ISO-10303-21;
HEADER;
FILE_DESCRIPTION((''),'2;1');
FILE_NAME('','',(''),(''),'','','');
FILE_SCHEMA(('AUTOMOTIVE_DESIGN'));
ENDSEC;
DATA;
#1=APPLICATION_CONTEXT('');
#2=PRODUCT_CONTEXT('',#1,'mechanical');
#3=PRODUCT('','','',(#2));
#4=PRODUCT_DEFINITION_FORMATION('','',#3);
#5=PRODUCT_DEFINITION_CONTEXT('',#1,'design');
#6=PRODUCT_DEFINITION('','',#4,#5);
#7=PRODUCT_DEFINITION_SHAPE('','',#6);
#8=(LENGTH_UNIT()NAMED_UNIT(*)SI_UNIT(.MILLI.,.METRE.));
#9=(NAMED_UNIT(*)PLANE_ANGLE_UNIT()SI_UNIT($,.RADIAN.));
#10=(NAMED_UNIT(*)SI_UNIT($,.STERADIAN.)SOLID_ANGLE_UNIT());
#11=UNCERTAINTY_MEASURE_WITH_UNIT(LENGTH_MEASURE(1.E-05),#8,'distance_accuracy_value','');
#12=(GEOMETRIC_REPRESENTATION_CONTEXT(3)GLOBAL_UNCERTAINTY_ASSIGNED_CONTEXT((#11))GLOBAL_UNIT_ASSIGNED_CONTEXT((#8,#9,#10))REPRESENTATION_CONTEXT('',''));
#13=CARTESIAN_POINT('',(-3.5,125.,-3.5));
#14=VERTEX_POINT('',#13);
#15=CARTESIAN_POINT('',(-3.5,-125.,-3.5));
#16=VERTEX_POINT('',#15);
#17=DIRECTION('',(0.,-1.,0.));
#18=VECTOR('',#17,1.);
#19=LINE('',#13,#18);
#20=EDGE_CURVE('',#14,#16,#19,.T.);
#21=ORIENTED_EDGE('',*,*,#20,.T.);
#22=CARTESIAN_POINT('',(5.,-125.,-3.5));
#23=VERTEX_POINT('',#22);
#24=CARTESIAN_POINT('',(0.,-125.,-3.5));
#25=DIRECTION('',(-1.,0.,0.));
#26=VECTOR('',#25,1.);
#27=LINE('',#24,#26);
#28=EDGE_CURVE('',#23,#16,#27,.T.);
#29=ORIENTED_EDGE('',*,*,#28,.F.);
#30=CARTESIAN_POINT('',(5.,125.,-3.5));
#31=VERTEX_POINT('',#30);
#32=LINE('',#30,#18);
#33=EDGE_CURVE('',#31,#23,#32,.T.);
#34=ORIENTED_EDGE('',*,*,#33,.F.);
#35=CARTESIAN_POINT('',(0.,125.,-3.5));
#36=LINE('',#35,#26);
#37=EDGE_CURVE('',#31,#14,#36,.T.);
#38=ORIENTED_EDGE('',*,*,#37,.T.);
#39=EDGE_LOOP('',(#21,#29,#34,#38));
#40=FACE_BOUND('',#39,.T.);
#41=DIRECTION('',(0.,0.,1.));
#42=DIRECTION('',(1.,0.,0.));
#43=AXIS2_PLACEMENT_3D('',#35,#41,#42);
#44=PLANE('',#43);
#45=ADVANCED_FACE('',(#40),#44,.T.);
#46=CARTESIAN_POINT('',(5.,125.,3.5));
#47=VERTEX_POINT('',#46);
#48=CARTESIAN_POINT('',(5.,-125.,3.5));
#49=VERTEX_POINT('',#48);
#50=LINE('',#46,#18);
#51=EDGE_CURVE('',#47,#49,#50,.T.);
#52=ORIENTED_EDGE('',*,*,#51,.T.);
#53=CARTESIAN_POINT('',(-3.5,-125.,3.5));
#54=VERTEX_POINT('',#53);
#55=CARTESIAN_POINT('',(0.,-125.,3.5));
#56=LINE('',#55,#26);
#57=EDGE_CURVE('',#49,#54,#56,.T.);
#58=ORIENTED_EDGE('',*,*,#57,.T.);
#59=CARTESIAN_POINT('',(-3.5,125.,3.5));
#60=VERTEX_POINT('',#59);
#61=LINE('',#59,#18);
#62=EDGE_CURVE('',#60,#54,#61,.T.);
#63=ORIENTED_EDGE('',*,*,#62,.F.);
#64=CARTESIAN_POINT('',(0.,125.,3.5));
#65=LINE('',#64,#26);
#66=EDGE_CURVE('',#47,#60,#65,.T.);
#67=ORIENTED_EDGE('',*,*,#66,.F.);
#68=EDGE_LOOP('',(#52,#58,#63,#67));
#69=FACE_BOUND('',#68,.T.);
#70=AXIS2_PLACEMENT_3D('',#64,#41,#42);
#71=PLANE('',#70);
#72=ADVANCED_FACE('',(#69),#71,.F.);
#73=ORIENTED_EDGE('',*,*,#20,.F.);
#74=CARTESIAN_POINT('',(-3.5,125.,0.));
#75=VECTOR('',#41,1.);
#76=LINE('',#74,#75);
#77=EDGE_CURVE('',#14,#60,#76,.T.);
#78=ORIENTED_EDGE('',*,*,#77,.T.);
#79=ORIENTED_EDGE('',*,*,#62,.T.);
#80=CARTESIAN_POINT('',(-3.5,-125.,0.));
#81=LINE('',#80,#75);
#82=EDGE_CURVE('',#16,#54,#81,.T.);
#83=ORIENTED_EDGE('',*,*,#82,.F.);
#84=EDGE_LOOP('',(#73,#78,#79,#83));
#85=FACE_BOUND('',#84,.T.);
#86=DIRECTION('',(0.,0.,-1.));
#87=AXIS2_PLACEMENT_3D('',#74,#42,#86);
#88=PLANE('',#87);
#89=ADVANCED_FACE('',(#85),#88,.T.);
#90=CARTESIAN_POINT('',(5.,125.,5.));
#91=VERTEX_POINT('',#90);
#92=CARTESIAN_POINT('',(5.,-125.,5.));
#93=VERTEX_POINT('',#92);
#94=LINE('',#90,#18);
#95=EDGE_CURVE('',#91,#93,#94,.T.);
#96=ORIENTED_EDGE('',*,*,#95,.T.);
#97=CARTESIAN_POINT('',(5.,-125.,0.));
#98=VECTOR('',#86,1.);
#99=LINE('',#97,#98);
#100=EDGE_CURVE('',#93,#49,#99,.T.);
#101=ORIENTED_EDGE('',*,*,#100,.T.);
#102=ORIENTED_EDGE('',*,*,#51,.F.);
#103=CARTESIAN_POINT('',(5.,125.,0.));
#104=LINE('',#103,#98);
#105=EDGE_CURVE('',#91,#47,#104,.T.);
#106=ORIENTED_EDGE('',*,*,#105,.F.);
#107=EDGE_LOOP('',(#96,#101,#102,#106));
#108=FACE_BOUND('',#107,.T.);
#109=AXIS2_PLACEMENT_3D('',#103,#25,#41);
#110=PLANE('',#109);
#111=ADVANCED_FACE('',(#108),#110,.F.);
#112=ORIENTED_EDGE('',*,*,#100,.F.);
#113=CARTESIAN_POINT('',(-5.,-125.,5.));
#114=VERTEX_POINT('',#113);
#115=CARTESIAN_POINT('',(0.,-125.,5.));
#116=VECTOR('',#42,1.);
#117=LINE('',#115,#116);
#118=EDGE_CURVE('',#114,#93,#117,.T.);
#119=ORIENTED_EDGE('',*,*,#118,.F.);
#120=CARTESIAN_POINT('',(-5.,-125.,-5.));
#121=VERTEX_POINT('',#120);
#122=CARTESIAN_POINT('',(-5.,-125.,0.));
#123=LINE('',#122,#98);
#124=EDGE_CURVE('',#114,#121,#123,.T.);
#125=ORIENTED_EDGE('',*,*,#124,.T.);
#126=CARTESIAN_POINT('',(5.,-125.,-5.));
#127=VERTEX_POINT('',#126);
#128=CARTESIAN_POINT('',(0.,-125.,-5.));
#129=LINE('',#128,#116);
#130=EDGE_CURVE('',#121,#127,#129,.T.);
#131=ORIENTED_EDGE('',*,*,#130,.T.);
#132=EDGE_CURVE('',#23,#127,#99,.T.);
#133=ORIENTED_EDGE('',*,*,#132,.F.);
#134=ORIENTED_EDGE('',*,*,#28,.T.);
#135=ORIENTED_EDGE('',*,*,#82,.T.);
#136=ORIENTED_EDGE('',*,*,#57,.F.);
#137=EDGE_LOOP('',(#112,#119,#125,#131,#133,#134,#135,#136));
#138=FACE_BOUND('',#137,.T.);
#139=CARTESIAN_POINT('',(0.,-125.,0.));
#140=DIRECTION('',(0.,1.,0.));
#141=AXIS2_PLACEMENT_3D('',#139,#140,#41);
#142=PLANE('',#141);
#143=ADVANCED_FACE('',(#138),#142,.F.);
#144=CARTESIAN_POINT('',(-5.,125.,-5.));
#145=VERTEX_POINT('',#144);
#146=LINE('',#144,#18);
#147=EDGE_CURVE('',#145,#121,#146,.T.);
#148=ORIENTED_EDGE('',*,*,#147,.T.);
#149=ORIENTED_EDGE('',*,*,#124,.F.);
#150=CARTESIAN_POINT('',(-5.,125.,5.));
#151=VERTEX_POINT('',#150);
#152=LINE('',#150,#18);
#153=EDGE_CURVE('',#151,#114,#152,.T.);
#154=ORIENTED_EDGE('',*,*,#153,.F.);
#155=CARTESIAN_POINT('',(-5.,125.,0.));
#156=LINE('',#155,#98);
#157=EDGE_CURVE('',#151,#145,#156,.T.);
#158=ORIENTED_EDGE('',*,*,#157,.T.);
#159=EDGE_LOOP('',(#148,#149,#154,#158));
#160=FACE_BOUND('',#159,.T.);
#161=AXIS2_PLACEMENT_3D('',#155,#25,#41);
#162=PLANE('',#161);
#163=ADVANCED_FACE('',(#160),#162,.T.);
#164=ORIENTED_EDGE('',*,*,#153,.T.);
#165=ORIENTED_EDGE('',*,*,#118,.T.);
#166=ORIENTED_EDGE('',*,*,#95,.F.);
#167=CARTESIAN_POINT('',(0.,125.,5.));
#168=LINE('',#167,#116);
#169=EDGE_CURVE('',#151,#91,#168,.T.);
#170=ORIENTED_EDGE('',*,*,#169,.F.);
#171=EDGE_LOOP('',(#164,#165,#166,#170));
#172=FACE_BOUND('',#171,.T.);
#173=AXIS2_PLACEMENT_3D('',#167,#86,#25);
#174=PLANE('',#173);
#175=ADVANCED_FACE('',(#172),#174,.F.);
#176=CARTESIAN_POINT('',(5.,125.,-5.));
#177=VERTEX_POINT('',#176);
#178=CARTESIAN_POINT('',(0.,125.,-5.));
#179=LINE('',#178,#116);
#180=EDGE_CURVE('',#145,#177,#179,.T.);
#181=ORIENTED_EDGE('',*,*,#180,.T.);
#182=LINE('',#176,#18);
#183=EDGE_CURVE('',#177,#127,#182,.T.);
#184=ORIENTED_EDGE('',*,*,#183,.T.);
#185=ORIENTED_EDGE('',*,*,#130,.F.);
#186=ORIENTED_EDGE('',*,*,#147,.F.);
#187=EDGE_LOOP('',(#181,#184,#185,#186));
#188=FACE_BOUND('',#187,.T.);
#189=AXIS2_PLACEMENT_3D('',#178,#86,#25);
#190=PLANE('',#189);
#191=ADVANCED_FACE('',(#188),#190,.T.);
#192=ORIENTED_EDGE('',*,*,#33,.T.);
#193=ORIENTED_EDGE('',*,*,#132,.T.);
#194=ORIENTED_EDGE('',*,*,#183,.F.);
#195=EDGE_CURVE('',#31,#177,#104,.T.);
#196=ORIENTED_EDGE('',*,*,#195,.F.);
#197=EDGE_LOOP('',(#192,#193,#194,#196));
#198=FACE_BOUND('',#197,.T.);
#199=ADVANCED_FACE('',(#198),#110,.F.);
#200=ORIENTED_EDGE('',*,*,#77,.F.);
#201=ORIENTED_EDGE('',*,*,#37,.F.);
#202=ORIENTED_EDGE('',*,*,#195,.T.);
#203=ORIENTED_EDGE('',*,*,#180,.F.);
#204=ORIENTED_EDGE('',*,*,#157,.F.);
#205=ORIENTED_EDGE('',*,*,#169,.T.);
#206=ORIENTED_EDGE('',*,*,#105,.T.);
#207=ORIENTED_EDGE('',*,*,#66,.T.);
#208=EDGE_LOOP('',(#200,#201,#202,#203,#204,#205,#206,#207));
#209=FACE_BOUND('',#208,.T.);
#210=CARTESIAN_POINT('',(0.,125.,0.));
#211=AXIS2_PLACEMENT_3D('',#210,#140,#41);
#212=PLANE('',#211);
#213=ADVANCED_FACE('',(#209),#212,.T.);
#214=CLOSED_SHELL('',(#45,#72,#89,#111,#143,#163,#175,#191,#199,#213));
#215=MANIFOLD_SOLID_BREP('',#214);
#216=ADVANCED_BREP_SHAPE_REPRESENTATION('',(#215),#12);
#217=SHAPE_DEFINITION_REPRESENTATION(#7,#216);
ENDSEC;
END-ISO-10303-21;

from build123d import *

# Parameters (mm, degrees)
BOSS_EXTRUDE1_DEPTH = 125


with BuildPart() as part:
    # Sketch2 → Boss-Extrude1 (new, symmetric)
    with BuildSketch(Plane(origin=(0, 0, 0), x_dir=(1, 0, 0), z_dir=(0, 1, 0))):
        Polygon((-5, 5), (-5, -5), (5, -5), (5, -3.5), (-3.5, -3.5), (-3.5, 3.5), (5, 3.5), (5, 5), align=None)
    extrude(amount=BOSS_EXTRUDE1_DEPTH, both=True)


solid = part.part
